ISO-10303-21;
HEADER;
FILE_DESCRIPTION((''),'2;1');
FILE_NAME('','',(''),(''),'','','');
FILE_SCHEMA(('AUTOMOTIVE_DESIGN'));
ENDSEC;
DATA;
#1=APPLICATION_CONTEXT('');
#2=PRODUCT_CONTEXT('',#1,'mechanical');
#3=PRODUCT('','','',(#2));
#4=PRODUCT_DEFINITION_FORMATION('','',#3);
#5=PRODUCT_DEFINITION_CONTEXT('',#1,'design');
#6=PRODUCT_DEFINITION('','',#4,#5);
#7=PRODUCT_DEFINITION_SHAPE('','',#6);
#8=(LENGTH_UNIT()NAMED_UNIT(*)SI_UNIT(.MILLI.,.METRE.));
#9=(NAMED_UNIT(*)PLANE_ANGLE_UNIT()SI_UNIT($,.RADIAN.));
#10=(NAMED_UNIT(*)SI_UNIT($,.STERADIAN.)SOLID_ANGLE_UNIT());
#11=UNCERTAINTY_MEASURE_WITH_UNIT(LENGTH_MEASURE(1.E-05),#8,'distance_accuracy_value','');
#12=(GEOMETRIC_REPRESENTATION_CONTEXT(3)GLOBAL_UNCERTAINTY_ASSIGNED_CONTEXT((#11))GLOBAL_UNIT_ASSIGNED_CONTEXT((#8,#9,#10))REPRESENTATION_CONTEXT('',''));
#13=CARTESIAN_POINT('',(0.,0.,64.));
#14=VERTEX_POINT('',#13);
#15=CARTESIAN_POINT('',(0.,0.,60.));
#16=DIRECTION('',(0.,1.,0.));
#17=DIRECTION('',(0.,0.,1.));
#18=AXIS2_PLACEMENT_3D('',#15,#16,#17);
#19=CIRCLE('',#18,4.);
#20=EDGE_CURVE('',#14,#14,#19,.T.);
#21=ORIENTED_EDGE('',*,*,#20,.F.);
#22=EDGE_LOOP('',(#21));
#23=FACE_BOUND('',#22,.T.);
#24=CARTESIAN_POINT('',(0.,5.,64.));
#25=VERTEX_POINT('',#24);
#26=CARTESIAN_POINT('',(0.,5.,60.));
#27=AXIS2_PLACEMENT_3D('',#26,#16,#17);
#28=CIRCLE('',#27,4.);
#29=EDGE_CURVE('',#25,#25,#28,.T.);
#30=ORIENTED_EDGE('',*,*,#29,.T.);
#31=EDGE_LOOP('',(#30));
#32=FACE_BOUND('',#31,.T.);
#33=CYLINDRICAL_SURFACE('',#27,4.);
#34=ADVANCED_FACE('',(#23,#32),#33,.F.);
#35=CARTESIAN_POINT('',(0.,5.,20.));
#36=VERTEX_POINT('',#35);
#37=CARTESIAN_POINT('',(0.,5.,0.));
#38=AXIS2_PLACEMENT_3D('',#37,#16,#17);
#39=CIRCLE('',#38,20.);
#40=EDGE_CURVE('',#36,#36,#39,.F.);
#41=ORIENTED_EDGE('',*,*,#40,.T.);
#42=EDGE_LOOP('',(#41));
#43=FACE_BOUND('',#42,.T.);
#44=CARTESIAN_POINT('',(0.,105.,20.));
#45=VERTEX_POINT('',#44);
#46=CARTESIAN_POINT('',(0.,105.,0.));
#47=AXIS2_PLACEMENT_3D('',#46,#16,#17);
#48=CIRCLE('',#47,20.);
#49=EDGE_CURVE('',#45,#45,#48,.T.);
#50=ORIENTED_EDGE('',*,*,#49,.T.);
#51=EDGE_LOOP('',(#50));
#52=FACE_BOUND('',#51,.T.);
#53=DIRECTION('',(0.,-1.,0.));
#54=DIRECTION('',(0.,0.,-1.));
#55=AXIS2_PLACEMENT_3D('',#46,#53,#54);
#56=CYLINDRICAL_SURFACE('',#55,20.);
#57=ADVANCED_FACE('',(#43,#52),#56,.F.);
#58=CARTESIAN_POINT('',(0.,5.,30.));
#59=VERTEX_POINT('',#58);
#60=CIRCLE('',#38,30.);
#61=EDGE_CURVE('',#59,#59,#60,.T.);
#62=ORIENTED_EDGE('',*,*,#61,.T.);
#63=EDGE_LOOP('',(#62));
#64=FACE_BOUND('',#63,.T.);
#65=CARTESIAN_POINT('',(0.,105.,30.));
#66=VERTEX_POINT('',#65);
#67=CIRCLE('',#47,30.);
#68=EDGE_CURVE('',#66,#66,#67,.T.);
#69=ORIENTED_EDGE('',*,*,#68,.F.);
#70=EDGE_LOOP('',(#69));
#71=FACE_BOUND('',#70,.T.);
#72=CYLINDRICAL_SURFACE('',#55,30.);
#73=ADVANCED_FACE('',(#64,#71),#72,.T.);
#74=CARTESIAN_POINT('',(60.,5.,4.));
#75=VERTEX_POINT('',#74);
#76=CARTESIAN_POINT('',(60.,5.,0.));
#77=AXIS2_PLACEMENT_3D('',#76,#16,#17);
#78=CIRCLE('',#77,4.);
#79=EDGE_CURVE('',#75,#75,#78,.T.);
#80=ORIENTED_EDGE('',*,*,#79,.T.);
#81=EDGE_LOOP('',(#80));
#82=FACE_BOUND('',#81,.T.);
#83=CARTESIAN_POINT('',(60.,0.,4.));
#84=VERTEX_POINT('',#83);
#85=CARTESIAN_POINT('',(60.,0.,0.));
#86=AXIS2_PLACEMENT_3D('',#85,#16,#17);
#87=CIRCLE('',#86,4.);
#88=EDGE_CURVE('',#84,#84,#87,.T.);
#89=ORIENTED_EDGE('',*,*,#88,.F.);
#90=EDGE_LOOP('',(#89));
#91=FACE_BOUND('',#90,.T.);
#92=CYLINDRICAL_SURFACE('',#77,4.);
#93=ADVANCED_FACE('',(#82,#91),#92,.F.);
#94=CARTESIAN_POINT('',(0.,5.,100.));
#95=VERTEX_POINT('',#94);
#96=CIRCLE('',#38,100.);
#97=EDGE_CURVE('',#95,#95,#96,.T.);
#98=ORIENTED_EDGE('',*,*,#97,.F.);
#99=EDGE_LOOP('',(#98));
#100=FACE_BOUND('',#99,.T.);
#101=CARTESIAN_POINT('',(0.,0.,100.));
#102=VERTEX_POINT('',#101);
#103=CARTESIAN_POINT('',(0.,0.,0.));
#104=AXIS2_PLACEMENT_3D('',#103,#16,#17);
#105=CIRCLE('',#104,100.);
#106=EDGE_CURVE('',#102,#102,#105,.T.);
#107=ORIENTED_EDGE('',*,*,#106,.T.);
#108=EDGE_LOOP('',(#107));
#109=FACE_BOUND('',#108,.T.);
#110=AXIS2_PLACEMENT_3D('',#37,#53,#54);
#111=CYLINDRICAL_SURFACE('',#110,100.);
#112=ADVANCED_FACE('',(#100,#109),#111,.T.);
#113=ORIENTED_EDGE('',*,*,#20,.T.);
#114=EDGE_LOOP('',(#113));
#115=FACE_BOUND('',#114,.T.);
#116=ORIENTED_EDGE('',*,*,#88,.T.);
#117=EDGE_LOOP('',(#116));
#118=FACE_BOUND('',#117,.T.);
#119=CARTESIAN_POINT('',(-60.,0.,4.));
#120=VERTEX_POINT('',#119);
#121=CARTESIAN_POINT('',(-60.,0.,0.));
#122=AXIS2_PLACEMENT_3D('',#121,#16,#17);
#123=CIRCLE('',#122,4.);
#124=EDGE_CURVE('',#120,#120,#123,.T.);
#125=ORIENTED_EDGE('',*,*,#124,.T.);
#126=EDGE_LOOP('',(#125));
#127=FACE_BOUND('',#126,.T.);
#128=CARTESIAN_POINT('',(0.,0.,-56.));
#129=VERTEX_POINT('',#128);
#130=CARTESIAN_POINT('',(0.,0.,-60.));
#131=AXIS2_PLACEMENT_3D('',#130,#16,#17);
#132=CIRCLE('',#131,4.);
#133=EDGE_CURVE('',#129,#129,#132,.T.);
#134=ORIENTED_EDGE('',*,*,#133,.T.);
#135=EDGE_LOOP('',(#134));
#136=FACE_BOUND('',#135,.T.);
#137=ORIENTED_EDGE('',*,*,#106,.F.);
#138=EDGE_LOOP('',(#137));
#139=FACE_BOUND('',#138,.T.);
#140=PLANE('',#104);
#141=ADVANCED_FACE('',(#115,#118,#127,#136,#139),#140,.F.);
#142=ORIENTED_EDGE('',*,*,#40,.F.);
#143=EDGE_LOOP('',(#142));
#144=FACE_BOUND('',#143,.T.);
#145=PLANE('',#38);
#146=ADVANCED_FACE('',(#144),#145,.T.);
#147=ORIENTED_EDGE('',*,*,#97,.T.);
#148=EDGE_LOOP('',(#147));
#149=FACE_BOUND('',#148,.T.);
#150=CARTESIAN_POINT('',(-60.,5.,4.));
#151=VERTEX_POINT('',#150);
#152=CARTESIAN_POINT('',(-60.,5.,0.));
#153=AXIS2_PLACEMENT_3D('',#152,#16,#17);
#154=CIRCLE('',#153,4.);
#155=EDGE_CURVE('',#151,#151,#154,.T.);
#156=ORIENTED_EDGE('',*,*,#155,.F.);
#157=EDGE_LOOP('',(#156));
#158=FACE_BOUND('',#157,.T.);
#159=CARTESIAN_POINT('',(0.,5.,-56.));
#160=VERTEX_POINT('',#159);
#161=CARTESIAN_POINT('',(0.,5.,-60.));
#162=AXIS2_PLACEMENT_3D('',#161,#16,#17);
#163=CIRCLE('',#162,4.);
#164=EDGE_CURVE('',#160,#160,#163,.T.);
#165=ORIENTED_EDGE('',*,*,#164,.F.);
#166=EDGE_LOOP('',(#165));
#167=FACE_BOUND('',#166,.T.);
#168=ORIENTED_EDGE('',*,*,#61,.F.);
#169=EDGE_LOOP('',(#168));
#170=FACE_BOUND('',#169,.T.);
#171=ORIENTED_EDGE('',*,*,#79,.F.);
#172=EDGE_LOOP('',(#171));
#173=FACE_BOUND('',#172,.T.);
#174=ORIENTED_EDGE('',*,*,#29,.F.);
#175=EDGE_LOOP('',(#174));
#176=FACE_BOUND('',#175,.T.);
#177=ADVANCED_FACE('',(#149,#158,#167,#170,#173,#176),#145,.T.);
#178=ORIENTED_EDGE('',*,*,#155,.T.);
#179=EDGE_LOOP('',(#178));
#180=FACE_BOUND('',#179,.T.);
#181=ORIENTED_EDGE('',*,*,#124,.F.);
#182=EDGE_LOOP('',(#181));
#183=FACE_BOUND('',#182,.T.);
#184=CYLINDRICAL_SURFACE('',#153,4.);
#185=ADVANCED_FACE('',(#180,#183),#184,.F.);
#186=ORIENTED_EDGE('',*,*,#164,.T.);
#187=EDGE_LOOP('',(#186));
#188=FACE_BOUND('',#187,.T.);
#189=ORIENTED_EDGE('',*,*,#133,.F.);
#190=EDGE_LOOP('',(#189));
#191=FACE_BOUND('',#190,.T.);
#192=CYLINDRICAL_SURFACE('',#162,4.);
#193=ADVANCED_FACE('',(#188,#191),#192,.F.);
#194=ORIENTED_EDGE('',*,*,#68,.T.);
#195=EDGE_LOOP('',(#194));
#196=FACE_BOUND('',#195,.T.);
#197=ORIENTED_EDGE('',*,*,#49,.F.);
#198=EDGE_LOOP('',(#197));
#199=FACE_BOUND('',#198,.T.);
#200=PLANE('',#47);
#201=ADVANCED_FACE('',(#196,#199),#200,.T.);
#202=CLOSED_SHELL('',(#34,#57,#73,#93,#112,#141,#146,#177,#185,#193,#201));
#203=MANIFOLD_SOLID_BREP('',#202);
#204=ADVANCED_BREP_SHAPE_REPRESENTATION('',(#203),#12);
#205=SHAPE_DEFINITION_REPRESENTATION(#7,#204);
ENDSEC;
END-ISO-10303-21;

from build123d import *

# Parameters (mm, degrees)
SKETCH_1_R      = 100
EXTRUDE_1_DEPTH = 5
MM_2_D          = 8
MM_2_DEPTH      = 20
MM_2_TIP        = 2.403442476
SKETCH_6_R      = 30
SKETCH_6_R_2    = 20
EXTRUDE_2_DEPTH = 100


with BuildPart() as part:
    # 草图1 → 凸台-拉伸1 (new body)
    with BuildSketch(Plane(origin=(0, 0, 0), x_dir=(1, 0, 0), z_dir=(0, 1, 0))):
        with Locations(Location((0, 0, 0), (0, 0, 270))):
            Circle(SKETCH_1_R)
    extrude(amount=EXTRUDE_1_DEPTH)

    # 大小mm 暗销孔2
    with Locations(Plane(origin=(0, 5, -60), x_dir=(0, 0, 1), z_dir=(0, 1, 0))):
        with Locations((0, 0), (60, -60), (120, 0), (60, 60)):
            Hole(MM_2_D / 2, depth=MM_2_DEPTH)
            with Locations((0, 0, -(MM_2_DEPTH + MM_2_TIP / 2))):  # 118° drill point
                Cone(0, MM_2_D / 2, MM_2_TIP, mode=Mode.SUBTRACT)

    # 草图6 → 凸台-拉伸2 (add)
    with BuildSketch(Plane(origin=(0, 5, 0), x_dir=(1, 0, 0), z_dir=(0, 1, 0))):
        with Locations(Location((0, 0, 0), (0, 0, 270))):
            Circle(SKETCH_6_R)
        with Locations(Location((0, 0, 0), (0, 0, 270))):
            Circle(SKETCH_6_R_2, mode=Mode.SUBTRACT)
    extrude(amount=EXTRUDE_2_DEPTH)


solid = part.part
